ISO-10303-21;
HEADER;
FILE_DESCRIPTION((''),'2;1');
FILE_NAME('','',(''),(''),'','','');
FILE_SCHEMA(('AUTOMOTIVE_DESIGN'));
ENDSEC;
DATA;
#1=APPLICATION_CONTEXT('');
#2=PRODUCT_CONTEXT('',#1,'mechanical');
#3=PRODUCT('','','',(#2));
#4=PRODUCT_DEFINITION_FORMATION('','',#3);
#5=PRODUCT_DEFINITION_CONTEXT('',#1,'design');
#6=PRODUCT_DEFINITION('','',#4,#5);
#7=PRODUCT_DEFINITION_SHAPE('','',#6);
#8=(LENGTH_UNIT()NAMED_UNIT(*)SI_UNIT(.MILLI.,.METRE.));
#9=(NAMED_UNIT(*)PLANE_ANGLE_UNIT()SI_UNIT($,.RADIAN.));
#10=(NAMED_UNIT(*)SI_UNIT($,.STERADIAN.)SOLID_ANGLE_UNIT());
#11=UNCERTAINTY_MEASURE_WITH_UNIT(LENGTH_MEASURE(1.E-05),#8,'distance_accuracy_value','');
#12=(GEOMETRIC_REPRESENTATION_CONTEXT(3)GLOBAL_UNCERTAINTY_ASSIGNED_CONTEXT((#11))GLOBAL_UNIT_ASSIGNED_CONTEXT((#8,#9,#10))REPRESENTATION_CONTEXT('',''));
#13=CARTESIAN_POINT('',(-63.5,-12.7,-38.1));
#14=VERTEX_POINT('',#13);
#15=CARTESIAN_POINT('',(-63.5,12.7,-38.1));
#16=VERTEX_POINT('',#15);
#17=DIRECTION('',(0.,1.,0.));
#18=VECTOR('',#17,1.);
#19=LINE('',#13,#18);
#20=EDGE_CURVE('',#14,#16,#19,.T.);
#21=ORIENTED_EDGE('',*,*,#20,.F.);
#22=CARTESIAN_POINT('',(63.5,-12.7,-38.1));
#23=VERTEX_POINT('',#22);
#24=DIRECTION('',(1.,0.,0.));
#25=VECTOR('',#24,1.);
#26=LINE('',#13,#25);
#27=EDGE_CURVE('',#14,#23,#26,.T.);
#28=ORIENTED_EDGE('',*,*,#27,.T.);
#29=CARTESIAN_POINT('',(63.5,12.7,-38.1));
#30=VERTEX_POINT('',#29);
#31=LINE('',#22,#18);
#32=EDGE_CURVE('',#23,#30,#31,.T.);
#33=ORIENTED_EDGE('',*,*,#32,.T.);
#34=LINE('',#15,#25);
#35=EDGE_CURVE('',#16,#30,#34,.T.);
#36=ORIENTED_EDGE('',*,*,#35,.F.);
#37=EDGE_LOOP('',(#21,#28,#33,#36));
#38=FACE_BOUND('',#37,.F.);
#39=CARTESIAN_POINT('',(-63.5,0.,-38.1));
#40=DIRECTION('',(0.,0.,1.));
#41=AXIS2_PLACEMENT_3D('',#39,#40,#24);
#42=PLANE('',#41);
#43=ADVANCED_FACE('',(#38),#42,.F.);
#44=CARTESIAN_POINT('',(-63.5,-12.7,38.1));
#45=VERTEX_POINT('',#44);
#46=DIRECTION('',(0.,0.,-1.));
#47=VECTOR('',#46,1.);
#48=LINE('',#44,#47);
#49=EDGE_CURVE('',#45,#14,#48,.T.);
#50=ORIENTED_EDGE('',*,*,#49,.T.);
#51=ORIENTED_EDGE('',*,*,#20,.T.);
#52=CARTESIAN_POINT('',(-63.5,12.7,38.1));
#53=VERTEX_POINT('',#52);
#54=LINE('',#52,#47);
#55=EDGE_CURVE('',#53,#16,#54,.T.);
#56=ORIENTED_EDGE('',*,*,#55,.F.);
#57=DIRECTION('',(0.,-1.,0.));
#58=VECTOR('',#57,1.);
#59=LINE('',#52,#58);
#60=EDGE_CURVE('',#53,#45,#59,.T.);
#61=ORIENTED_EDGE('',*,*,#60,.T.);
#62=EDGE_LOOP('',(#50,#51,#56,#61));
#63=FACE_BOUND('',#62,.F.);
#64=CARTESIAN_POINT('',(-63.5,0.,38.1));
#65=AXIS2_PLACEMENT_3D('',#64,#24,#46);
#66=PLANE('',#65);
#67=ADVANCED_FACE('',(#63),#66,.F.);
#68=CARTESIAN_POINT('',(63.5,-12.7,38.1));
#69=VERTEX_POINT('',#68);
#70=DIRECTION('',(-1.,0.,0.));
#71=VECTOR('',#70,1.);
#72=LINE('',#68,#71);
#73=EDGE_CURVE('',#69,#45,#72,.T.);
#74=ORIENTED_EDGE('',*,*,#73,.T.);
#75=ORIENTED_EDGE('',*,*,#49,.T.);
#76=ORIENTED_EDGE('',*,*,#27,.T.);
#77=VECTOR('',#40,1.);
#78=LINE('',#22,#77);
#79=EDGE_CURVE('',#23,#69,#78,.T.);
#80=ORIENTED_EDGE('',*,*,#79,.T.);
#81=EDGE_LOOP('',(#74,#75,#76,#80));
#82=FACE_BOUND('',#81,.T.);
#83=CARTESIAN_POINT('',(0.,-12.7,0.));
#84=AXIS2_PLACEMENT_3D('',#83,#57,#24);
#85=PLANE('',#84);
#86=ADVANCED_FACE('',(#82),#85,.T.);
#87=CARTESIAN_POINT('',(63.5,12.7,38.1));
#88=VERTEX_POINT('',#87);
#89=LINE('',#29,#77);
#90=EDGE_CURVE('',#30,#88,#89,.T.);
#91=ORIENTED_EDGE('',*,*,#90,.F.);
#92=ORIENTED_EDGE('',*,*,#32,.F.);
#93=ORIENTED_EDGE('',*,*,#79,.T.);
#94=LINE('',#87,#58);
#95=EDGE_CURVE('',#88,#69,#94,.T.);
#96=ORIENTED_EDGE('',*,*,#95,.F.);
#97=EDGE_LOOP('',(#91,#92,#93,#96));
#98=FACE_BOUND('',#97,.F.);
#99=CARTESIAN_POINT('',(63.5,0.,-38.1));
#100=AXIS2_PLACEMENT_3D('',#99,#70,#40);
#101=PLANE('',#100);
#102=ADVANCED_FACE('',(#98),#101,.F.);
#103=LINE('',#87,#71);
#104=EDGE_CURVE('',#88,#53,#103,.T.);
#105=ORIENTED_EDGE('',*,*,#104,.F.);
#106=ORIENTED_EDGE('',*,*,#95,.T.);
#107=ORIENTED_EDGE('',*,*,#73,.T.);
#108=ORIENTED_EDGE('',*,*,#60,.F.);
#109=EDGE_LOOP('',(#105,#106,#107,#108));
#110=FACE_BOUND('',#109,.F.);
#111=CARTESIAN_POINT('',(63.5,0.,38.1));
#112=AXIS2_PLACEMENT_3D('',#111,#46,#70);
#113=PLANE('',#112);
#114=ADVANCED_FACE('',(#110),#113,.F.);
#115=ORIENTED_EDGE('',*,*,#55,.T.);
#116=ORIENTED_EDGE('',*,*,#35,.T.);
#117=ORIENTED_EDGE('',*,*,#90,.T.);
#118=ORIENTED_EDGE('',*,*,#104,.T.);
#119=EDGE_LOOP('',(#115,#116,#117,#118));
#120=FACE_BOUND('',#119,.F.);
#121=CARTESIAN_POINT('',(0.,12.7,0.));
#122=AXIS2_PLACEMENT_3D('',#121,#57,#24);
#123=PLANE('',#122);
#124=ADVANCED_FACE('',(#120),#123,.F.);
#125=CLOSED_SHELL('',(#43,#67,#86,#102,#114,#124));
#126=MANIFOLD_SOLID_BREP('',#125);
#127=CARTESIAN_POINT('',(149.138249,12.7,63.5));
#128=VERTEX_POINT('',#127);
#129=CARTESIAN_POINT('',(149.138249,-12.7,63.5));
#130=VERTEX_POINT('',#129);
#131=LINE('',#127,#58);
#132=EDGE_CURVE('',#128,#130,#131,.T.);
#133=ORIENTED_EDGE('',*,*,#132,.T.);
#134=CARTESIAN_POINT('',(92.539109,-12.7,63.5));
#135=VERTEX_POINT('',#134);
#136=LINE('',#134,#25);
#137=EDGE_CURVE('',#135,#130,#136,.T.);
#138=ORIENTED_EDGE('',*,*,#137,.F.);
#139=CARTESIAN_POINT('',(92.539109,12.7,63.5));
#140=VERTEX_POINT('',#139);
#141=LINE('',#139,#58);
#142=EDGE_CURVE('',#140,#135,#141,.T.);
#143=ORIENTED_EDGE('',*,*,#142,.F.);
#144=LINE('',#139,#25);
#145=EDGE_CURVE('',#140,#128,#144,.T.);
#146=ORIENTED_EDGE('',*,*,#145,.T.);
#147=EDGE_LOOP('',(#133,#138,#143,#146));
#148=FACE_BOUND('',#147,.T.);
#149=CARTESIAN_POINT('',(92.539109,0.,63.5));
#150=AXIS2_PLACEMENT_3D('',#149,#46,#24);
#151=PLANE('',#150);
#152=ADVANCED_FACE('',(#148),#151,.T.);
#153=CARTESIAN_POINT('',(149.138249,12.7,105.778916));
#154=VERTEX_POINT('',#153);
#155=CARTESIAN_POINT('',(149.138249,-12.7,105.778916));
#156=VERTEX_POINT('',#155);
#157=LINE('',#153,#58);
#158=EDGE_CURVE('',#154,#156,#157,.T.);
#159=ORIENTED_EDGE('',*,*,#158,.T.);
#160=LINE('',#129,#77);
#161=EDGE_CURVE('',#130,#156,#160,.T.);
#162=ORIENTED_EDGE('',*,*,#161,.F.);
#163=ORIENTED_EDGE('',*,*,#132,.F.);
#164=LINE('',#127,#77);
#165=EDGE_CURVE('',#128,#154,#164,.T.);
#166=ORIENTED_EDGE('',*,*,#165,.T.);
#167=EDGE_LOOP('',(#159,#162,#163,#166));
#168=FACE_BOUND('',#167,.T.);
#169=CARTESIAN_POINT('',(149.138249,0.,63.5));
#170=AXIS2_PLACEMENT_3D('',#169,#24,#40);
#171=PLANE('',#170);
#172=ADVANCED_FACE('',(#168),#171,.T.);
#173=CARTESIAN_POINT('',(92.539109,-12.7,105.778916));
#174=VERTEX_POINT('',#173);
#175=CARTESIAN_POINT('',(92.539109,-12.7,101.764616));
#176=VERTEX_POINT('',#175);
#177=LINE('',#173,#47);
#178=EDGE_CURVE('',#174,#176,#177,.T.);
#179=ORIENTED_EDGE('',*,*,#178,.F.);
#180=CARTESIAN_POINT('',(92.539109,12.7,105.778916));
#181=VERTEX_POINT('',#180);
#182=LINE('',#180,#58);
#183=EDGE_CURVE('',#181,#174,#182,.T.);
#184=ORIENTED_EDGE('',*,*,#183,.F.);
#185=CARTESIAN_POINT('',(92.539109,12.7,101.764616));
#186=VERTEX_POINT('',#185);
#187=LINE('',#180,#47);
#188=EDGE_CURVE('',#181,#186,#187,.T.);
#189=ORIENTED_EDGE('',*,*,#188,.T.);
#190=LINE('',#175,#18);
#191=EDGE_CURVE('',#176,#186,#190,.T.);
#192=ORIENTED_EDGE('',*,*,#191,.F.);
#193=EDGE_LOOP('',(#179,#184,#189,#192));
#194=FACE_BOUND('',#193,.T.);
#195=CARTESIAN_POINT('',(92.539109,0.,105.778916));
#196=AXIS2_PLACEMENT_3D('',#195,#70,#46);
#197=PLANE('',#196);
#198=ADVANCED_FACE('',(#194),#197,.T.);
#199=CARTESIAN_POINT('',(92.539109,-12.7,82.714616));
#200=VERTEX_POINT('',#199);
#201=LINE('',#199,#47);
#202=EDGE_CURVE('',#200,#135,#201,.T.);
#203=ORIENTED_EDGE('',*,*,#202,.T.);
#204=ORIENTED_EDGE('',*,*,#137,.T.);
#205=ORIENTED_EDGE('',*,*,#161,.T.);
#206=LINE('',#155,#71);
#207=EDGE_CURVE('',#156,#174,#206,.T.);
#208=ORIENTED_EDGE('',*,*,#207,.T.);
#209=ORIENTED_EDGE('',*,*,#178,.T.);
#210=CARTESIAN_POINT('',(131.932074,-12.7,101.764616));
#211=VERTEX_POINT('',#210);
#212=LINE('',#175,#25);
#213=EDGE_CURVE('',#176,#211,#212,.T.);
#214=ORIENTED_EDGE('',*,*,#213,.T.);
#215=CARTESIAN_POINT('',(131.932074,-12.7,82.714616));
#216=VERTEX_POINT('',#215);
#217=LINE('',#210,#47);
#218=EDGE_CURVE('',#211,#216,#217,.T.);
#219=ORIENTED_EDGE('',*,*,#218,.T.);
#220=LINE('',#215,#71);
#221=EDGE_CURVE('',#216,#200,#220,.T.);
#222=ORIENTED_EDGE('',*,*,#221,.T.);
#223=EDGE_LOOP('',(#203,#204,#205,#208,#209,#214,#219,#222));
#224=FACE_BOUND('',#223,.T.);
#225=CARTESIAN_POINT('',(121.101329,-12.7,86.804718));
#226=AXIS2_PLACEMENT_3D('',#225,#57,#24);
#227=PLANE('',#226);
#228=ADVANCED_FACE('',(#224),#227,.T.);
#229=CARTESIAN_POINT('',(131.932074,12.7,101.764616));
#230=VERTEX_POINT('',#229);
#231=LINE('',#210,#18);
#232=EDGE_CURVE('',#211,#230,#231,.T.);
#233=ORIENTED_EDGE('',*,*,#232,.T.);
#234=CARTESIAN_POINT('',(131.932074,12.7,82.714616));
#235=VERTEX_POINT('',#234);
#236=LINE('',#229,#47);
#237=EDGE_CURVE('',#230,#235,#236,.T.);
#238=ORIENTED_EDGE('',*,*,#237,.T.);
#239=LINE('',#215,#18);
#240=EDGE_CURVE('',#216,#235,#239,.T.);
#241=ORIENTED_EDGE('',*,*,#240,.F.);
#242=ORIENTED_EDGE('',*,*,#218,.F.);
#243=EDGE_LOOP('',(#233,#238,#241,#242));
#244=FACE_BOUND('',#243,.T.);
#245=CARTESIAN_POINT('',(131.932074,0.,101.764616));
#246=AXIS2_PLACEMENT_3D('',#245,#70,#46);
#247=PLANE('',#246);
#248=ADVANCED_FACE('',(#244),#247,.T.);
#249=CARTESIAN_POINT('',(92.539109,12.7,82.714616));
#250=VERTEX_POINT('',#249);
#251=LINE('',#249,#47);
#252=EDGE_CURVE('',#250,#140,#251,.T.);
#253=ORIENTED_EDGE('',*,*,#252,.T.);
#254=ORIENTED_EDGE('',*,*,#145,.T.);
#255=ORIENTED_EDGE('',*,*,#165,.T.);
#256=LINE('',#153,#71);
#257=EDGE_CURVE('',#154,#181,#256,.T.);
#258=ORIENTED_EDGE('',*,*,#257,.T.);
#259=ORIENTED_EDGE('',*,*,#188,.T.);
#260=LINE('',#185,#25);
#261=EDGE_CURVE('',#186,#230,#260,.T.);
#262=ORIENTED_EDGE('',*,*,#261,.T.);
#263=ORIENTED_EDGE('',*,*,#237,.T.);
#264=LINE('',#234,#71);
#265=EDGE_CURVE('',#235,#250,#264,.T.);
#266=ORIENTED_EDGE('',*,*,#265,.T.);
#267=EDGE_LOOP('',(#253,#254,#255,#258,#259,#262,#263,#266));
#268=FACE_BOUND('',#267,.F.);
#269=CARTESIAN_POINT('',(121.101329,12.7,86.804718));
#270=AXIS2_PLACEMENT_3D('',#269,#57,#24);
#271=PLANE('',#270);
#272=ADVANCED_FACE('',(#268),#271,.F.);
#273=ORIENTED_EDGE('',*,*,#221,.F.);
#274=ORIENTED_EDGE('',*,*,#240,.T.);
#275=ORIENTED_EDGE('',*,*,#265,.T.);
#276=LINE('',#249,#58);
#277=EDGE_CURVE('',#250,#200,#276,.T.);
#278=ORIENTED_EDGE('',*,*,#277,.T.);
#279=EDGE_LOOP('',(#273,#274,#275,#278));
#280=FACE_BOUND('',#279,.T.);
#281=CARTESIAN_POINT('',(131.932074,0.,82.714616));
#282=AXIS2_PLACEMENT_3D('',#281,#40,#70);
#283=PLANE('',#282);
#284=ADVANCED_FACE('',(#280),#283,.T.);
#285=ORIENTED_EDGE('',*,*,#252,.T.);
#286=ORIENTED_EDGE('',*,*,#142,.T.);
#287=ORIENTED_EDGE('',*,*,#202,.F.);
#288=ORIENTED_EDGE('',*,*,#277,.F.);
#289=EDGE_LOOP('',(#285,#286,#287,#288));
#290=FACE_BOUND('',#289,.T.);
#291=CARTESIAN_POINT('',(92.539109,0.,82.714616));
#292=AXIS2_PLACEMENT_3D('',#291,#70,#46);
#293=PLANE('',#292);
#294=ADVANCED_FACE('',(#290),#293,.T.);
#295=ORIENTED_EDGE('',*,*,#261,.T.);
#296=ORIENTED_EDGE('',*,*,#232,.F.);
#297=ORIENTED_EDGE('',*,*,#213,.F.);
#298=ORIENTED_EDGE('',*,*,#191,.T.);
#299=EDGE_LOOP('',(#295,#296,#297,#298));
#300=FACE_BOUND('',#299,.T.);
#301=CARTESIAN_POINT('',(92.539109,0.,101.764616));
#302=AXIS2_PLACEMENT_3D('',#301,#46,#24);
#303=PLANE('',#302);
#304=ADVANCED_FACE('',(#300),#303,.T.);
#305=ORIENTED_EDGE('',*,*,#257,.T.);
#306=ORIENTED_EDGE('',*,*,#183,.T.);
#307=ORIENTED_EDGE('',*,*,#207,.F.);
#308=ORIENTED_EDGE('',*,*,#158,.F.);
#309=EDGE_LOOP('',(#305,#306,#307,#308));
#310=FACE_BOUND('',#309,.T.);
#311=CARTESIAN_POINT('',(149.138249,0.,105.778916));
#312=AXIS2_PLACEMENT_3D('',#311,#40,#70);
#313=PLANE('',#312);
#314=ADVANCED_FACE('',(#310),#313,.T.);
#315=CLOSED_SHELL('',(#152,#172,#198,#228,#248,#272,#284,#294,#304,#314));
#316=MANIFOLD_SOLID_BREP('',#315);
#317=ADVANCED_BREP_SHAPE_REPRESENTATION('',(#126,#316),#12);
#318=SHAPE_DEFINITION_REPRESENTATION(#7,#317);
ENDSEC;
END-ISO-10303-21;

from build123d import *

# Parameters (mm, degrees)
F1_DEPTH = 12.7


with BuildPart() as f1:
    # F0 (on Front) → F1 (new body, symmetric)
    with BuildSketch(Plane.XZ):
        Polygon((63.5, -38.1), (63.5, 38.1), (29.485926, 38.1), (10.435926, 38.1), (-63.5, 38.1), (-63.5, -38.1), align=None)
        Polygon((131.932074, 82.714616), (92.539109, 82.714616), (92.539109, 63.5), (149.138249, 63.5), (149.138249, 105.778916), (92.539109, 105.778916), (92.539109, 101.764616), (131.932074, 101.764616), align=None)
    extrude(amount=F1_DEPTH, both=True)


solid = f1.part
